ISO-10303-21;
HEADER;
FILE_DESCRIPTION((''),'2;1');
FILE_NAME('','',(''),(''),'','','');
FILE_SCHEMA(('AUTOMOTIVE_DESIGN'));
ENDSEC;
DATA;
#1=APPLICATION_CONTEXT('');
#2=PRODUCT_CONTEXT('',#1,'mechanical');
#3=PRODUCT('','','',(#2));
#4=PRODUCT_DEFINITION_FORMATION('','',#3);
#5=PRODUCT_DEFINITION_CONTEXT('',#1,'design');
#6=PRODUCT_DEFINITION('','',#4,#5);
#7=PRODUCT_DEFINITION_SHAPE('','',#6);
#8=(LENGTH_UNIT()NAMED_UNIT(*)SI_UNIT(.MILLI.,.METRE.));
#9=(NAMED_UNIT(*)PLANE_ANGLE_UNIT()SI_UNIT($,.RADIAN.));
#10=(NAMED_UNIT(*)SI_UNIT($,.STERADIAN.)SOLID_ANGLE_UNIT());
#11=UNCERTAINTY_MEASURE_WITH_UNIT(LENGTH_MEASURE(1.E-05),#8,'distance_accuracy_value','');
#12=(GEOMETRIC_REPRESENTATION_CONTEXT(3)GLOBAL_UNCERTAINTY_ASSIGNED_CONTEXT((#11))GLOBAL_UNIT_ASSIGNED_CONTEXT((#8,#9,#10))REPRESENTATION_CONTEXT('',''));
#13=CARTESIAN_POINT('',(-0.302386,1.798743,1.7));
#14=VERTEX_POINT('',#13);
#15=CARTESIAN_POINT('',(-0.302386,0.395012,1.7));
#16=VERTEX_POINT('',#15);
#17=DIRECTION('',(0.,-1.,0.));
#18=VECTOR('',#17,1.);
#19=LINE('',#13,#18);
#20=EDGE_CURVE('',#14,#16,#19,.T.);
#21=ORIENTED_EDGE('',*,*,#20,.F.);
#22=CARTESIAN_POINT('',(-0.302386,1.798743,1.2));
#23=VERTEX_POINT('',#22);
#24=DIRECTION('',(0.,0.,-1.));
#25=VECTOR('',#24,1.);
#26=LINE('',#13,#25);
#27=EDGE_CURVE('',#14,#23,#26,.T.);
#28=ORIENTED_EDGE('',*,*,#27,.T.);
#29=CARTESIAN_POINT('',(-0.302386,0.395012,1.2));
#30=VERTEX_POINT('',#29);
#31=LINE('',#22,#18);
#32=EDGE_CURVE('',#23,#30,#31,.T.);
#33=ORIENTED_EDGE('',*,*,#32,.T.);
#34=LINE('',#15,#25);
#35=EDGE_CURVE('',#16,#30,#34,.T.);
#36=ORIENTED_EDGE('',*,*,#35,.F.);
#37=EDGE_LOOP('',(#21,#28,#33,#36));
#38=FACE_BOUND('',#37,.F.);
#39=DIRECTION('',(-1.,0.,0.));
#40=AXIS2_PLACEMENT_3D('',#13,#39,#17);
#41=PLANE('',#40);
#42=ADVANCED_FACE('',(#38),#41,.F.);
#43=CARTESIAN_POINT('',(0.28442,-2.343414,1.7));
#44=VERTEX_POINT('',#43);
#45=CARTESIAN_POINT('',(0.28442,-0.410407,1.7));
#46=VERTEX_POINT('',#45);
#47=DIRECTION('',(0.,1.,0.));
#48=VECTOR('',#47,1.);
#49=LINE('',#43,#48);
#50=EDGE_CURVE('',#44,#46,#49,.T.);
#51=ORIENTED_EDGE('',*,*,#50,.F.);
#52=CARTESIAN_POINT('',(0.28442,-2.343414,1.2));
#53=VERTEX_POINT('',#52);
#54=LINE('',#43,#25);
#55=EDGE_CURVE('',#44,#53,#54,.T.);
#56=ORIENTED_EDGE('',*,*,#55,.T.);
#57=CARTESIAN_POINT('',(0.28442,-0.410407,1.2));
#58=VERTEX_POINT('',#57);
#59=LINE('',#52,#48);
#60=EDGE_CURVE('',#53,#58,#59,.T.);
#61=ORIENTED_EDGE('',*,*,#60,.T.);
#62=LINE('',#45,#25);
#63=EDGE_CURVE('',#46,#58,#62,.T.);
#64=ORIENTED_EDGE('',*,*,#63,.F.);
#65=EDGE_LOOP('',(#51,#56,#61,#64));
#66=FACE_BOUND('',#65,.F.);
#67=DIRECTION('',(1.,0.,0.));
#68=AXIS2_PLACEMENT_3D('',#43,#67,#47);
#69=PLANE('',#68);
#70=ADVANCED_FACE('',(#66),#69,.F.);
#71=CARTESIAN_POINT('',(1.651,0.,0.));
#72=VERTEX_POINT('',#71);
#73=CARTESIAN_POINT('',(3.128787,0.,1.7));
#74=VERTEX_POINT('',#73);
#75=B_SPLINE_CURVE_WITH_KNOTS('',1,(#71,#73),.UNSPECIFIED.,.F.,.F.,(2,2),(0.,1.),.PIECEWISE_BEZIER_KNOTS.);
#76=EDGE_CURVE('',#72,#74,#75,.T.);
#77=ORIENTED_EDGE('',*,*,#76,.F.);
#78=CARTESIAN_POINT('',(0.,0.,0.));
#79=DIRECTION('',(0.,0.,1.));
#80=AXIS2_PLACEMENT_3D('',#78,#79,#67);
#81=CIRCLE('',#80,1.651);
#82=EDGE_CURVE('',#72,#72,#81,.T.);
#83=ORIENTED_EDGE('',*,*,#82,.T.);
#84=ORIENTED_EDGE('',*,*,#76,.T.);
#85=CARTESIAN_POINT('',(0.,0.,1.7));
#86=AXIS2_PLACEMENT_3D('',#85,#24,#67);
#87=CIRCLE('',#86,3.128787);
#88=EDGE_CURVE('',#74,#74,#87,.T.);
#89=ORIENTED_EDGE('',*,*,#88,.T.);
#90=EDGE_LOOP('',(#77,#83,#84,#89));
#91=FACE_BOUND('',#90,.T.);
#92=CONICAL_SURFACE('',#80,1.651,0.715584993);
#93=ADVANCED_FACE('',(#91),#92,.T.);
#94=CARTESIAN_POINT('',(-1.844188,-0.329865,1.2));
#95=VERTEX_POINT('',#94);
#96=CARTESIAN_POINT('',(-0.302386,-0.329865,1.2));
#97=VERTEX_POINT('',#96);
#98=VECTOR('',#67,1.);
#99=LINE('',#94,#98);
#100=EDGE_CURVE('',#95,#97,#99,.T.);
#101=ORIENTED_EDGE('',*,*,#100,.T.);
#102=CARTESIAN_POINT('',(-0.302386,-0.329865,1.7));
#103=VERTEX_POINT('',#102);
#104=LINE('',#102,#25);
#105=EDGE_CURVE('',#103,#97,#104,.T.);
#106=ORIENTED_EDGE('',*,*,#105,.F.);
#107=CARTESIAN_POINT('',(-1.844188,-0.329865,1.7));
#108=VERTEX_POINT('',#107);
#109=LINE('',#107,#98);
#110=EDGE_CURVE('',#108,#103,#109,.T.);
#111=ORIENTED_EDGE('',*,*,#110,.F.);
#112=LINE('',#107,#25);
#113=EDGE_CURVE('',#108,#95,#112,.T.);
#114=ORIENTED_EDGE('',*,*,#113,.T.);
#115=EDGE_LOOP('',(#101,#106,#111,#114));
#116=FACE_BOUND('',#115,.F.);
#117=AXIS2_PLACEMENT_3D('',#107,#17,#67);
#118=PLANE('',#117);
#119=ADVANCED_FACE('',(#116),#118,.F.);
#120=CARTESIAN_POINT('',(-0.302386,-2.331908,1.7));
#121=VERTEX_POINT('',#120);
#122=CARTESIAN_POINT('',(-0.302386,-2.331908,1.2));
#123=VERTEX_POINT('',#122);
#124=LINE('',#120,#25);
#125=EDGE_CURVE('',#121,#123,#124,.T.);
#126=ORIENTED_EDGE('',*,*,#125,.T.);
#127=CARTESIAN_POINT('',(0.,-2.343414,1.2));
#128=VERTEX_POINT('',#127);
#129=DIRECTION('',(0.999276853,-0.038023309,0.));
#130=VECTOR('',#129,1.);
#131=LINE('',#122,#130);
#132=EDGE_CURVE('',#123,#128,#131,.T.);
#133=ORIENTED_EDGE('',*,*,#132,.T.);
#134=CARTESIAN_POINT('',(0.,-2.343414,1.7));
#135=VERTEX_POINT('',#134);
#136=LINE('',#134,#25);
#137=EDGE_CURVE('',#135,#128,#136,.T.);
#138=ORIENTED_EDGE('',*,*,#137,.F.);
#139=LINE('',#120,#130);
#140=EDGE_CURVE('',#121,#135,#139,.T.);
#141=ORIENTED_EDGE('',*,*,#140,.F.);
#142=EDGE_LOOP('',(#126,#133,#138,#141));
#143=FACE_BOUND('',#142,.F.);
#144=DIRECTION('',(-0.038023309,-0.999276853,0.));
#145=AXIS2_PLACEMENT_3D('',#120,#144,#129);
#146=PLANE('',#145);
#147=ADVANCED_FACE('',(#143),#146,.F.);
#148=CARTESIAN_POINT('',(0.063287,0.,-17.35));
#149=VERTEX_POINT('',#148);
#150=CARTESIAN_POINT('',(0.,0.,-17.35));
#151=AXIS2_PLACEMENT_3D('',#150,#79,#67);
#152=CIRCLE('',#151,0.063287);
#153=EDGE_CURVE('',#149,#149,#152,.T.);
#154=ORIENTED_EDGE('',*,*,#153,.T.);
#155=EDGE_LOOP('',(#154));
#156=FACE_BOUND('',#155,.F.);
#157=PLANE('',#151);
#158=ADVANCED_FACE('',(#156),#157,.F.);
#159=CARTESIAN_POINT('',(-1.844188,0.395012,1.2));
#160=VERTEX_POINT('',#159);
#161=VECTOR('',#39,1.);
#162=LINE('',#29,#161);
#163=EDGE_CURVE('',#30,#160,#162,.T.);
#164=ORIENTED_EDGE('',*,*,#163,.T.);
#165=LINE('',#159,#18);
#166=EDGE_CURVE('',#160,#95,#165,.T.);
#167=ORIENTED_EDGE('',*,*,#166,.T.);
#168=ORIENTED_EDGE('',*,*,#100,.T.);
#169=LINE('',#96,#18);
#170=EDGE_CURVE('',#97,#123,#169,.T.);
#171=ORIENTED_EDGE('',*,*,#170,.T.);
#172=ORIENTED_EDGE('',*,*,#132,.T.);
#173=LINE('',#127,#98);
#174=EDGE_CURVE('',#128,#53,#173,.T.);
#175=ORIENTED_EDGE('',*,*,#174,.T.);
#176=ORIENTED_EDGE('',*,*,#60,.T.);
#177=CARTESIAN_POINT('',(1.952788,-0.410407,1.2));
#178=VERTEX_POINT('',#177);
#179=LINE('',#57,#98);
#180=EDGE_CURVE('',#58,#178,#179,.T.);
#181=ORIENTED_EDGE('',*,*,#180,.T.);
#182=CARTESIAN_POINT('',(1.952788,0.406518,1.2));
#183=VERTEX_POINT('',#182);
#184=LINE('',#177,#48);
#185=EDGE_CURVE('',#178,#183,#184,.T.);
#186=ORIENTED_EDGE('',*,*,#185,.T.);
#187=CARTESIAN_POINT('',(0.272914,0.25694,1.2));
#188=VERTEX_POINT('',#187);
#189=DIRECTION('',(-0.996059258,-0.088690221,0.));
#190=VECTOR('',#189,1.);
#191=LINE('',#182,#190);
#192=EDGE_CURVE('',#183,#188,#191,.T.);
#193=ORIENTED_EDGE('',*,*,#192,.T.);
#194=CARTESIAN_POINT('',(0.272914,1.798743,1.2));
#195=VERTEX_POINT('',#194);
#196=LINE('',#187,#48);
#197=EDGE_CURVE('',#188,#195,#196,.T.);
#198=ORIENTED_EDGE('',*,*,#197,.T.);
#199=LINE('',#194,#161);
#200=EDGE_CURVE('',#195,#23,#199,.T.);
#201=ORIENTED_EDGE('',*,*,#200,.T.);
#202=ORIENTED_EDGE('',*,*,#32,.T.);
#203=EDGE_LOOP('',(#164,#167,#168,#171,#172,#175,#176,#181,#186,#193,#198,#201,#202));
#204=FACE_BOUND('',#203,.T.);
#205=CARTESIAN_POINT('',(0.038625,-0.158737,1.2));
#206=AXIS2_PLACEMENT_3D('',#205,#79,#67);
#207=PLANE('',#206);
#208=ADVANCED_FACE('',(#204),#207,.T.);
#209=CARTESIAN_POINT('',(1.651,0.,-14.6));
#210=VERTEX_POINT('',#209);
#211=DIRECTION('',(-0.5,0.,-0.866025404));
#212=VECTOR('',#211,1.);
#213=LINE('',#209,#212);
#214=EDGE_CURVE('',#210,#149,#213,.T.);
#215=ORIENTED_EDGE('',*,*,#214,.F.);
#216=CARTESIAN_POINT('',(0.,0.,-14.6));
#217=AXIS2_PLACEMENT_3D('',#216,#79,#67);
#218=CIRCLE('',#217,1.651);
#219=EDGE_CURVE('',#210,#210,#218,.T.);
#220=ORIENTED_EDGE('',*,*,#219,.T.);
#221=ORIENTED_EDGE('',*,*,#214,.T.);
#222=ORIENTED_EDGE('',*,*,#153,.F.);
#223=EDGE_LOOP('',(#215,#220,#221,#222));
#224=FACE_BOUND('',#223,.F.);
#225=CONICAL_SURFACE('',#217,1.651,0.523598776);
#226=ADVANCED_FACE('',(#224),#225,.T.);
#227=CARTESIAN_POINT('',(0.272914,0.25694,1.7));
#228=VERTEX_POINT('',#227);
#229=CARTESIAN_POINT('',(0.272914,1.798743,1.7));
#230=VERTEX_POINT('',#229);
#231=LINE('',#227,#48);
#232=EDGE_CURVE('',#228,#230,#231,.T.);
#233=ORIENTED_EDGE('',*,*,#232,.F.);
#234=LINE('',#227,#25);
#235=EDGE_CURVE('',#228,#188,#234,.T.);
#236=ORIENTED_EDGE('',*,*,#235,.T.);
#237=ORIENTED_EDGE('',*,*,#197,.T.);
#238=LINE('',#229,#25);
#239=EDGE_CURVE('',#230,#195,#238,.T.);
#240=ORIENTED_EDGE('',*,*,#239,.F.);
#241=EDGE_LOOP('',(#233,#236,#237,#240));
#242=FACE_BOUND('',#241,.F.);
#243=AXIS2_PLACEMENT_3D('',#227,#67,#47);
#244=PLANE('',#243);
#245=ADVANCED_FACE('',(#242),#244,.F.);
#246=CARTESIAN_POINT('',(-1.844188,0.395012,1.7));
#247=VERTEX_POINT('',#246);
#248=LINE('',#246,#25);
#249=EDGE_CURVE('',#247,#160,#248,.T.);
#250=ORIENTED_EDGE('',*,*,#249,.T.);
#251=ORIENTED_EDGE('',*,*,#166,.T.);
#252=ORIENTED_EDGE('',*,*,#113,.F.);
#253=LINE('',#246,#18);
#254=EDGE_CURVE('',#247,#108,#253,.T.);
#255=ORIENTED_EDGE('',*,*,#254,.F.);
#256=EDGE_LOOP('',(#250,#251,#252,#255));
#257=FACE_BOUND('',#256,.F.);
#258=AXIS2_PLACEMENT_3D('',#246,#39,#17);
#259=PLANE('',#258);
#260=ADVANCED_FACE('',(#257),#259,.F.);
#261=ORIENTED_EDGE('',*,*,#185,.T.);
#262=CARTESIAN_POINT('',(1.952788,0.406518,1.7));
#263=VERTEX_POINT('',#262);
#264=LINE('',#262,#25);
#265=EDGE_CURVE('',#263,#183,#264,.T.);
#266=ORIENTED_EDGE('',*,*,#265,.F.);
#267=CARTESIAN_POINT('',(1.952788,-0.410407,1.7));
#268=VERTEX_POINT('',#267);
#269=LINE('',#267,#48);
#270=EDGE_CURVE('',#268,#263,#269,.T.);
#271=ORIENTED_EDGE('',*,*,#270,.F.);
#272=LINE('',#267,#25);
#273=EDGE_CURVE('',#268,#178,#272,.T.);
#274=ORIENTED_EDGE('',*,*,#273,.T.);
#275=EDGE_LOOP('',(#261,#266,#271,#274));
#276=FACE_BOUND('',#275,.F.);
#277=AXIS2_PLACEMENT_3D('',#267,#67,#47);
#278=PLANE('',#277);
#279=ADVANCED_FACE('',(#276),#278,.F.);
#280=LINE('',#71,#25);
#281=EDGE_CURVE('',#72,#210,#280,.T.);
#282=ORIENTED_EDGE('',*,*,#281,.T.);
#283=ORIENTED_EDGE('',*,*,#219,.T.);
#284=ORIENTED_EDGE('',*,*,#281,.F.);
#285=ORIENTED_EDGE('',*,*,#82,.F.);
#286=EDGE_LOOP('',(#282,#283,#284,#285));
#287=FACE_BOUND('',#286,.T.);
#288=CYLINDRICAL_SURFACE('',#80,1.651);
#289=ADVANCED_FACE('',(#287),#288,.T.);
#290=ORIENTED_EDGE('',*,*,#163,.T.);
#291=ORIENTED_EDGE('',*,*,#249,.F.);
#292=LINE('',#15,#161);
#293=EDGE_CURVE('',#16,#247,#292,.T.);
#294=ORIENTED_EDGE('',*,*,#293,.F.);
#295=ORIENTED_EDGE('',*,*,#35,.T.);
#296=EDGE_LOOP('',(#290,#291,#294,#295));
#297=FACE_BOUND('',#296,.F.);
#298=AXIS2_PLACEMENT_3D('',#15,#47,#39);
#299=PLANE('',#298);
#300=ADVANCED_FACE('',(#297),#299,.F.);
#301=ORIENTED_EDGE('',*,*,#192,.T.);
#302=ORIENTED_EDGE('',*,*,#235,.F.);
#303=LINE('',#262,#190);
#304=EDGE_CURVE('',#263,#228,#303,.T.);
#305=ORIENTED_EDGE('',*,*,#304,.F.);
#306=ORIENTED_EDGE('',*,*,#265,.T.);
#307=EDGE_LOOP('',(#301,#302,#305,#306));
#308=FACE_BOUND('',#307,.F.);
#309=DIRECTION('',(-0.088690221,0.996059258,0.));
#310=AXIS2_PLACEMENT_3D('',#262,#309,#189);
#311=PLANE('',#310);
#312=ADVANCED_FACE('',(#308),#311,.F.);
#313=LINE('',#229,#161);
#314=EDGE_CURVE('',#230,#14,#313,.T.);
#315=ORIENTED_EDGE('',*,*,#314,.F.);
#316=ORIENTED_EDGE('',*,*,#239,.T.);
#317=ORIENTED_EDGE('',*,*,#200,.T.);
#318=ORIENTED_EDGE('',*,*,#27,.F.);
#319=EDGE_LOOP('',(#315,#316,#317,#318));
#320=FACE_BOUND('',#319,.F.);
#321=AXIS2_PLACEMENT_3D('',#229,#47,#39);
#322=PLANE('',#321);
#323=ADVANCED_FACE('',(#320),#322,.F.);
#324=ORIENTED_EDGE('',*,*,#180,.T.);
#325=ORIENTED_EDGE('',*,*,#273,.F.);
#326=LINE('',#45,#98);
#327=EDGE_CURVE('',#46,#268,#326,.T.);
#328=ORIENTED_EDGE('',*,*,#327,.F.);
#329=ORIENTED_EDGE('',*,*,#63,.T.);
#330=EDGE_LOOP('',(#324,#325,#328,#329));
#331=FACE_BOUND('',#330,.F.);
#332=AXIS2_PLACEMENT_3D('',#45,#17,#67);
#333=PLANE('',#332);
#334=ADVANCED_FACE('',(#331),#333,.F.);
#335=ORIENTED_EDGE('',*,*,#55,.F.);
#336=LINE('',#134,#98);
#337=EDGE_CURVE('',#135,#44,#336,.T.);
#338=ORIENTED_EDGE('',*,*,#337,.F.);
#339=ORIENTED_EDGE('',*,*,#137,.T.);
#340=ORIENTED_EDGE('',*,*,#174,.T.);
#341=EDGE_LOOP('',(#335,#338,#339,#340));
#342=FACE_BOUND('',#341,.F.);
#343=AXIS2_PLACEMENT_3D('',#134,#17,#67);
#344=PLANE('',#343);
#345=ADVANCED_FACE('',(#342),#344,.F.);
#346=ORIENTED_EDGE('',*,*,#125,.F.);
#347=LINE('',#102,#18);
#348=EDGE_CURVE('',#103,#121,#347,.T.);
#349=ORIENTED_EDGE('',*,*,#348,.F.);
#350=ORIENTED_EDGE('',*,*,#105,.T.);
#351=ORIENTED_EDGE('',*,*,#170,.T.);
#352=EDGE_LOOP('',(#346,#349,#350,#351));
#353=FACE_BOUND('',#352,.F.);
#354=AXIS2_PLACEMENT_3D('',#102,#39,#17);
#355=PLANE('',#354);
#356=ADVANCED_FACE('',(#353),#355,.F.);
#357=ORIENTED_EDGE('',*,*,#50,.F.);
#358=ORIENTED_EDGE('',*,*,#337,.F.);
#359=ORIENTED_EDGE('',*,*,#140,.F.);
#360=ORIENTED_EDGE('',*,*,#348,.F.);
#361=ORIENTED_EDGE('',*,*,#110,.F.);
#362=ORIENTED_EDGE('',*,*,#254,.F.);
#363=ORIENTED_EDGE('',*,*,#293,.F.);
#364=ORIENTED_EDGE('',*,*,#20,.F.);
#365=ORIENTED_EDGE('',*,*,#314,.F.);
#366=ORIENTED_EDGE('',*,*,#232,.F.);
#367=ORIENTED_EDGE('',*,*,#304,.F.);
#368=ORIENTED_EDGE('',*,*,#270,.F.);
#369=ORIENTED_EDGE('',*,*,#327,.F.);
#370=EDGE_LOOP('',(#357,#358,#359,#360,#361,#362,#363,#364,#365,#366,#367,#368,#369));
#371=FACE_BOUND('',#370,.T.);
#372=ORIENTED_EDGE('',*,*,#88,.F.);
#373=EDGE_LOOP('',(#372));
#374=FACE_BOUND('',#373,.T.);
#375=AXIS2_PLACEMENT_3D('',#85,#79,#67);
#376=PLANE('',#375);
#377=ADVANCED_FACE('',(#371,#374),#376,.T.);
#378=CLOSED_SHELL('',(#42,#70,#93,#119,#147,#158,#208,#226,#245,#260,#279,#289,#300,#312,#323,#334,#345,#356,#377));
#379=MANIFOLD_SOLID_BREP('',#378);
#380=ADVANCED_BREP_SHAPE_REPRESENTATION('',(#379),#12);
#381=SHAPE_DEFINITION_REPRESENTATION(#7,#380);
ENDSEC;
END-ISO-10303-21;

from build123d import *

# Parameters (mm, degrees)
F0_R     = 1.651
F1_DEPTH = 1.7
F1_TAPER = -41
F3_DEPTH = 17.35
F4_SIZE2 = 1.5877132403
F4_SIZE  = 2.75
F6_DEPTH = 0.5


with BuildPart() as f1:
    # F0 (on Top) → F1 (new body)
    with BuildSketch(Plane.XY):
        Circle(F0_R)
    extrude(amount=F1_DEPTH, taper=F1_TAPER)

    # F3 (add, through all): a face of the model
    f3_faces = [f1.faces().sort_by_distance(p)[0] for p in [
        (0, 0, 0),
    ]]
    extrude(f3_faces, amount=F3_DEPTH)

    # F4
    f4_edges = [f1.edges().sort_by_distance(p)[0] for p in [
        (-1.651, 0, -17.35),
    ]]
    f4_side = f1.faces().sort_by_distance((-1.651, 0, -8.675))[0]
    chamfer(f4_edges, length=F4_SIZE, length2=F4_SIZE2, reference=f4_side)

    # F5 (on face) → F6 (cut)
    with BuildSketch(Plane.XY.offset(1.7)):
        Polygon((-0.3023856843, -2.3319076281), (0, -2.3434136529), (0.2844197443, -2.3434136529), (0.2844197443, -0.4104074033), (1.9527882105, -0.4104074033), (1.9527882105, 0.40651788), (0.2729137486, 0.2569399949), (0.2729137486, 1.7987425672), (-0.3023856843, 1.7987425672), (-0.3023856843, 0.3950118844), (-1.8441881984, 0.3950118844), (-1.8441881984, -0.3298654919), (-0.3023856843, -0.3298654919), align=None)
    extrude(amount=-F6_DEPTH, mode=Mode.SUBTRACT)


solid = f1.part
